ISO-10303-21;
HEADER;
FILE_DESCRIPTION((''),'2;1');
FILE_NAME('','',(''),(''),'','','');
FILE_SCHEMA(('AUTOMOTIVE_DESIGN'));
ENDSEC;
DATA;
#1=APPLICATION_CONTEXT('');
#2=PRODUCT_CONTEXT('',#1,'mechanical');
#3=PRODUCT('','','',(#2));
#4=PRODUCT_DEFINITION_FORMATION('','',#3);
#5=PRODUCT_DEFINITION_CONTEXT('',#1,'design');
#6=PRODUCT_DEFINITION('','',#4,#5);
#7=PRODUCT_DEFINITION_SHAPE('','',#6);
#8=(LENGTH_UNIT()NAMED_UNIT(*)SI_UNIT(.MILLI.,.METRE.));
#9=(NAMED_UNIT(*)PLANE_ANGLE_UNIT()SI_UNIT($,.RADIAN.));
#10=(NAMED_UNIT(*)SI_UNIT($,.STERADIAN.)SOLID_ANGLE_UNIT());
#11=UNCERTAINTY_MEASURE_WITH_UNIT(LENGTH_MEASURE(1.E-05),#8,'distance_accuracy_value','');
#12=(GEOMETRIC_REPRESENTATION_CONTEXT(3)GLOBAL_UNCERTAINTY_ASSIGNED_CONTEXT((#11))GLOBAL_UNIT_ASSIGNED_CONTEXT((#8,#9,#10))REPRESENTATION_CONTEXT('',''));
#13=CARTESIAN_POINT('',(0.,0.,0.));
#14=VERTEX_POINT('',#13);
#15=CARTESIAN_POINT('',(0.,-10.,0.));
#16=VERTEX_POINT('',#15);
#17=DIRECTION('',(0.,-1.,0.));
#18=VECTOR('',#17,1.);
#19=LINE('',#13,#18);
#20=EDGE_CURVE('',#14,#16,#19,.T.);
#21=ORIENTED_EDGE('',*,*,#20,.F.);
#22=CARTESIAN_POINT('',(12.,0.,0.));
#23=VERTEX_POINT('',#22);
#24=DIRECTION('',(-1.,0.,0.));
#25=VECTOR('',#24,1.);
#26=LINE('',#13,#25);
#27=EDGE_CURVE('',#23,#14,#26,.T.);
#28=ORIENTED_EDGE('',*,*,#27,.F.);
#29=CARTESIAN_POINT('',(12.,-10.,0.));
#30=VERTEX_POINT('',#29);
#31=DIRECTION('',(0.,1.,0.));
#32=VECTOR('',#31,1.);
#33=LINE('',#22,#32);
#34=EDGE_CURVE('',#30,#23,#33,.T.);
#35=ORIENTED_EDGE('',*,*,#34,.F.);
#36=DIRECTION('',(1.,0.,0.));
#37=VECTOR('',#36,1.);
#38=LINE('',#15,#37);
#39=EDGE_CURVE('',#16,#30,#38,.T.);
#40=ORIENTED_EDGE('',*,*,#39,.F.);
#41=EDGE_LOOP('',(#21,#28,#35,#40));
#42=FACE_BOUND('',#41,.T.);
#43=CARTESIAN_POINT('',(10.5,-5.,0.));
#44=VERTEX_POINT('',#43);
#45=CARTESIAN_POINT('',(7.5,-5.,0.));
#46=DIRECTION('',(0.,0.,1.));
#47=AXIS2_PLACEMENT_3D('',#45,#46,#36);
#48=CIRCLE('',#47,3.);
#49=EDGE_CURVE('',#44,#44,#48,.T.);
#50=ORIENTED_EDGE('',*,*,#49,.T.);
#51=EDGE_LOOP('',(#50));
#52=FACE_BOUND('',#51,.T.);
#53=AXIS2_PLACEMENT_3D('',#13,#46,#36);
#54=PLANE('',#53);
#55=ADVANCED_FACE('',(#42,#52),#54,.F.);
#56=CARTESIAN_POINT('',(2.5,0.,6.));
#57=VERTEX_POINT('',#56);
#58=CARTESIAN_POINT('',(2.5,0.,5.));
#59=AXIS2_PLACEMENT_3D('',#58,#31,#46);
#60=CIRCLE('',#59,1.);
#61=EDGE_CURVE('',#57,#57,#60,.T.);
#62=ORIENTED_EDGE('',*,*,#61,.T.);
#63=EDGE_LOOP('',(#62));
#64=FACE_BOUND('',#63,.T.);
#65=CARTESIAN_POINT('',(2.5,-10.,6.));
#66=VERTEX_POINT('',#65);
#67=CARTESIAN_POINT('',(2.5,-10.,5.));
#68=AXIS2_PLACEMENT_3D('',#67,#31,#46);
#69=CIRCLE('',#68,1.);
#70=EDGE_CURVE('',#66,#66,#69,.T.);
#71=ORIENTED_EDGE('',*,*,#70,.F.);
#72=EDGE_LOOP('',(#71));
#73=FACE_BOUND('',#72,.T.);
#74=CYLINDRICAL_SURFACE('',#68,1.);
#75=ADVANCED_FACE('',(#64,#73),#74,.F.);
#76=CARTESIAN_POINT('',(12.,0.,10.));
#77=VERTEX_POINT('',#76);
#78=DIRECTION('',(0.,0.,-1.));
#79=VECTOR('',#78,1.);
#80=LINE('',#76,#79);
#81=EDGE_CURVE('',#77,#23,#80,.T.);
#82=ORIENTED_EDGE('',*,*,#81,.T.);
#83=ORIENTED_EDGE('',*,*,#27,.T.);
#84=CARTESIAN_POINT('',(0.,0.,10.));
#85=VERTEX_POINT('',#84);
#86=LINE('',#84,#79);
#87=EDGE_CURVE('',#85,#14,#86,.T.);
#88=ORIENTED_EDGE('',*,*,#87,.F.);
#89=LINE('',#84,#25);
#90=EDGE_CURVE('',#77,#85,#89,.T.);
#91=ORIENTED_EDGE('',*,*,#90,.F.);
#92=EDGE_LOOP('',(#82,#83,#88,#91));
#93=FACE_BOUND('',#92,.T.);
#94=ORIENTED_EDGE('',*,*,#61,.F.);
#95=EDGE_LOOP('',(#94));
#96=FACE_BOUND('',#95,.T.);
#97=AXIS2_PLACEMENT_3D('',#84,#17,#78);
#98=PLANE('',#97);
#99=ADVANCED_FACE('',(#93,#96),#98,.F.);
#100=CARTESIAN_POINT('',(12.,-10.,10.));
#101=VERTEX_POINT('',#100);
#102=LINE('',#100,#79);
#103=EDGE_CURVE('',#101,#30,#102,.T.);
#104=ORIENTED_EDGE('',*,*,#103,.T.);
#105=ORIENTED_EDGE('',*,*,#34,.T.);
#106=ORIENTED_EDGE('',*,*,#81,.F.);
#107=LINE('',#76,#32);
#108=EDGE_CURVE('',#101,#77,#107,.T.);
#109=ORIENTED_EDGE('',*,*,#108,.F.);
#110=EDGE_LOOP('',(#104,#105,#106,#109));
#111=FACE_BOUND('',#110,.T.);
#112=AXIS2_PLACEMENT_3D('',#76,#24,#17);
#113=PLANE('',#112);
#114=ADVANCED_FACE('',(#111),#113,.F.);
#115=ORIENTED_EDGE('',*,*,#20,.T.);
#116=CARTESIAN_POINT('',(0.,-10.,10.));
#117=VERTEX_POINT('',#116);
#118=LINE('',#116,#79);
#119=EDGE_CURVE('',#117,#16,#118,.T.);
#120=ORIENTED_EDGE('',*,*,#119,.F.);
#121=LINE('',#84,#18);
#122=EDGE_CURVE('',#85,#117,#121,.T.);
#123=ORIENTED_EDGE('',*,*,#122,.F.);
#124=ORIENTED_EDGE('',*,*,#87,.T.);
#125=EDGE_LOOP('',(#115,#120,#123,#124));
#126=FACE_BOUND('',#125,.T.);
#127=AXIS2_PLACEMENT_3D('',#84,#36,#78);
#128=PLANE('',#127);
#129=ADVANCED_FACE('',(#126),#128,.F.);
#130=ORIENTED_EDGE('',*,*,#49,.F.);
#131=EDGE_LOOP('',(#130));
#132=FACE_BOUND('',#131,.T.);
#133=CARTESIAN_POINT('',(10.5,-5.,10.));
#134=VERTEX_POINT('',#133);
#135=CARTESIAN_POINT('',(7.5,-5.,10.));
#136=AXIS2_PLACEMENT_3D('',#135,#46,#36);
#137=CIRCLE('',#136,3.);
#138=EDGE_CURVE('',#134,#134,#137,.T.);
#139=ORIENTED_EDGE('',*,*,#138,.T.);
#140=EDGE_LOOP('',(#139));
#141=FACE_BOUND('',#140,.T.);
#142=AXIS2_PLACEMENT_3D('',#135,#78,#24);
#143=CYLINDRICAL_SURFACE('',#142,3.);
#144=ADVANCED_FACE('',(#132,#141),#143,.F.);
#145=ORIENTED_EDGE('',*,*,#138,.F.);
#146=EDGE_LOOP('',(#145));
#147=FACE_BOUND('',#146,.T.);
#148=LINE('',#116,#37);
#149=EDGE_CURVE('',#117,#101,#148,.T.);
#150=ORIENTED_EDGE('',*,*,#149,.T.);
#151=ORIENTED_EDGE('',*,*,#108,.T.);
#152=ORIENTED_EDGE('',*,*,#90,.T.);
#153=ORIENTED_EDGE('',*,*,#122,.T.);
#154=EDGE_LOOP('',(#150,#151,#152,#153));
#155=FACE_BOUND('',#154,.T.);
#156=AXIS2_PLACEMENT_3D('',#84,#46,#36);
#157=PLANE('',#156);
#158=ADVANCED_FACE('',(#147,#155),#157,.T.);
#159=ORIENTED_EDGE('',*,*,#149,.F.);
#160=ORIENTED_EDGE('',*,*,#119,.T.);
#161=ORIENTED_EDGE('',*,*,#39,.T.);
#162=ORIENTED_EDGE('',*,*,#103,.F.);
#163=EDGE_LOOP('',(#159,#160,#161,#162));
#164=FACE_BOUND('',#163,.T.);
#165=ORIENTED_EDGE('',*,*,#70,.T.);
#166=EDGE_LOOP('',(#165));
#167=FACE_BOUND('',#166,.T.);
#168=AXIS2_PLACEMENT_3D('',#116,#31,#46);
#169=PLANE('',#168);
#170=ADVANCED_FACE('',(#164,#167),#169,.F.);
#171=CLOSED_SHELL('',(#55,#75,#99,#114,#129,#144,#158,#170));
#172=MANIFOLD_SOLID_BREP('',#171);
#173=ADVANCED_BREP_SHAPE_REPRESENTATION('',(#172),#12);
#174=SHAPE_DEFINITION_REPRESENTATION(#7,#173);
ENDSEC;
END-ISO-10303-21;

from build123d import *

# Parameters (mm, degrees)
ESQUISSE1_W             = 12
ESQUISSE1_H             = 10
BOSS_EXTRU_1_DEPTH      = 10
ESQUISSE2_R             = 3
ENL_V_MAT_EXTRU_2_DEPTH = 11
ESQUISSE3_R             = 1
ENL_V_MAT_EXTRU_3_DEPTH = 11


with BuildPart() as part:
    # Esquisse1 → Boss.-Extru.1 (new body)
    with BuildSketch(Plane.XY):
        with Locations((6, -5)):
            Rectangle(ESQUISSE1_W, ESQUISSE1_H)
    extrude(amount=BOSS_EXTRU_1_DEPTH)

    # Esquisse2 → Enlèv. mat.-Extru.2 (cut, through all)
    with BuildSketch(Plane.XY):
        with Locations((7.5, -5)):
            Circle(ESQUISSE2_R)
    extrude(amount=ENL_V_MAT_EXTRU_2_DEPTH, mode=Mode.SUBTRACT)

    # Esquisse3 → Enlèv. mat.-Extru.3 (cut, through all)
    with BuildSketch(Plane(origin=(0, 0, 0), x_dir=(1, 0, 0), z_dir=(0, 1, 0))):
        with Locations((2.5, -5)):
            Circle(ESQUISSE3_R)
    extrude(amount=-ENL_V_MAT_EXTRU_3_DEPTH, mode=Mode.SUBTRACT)


solid = part.part
